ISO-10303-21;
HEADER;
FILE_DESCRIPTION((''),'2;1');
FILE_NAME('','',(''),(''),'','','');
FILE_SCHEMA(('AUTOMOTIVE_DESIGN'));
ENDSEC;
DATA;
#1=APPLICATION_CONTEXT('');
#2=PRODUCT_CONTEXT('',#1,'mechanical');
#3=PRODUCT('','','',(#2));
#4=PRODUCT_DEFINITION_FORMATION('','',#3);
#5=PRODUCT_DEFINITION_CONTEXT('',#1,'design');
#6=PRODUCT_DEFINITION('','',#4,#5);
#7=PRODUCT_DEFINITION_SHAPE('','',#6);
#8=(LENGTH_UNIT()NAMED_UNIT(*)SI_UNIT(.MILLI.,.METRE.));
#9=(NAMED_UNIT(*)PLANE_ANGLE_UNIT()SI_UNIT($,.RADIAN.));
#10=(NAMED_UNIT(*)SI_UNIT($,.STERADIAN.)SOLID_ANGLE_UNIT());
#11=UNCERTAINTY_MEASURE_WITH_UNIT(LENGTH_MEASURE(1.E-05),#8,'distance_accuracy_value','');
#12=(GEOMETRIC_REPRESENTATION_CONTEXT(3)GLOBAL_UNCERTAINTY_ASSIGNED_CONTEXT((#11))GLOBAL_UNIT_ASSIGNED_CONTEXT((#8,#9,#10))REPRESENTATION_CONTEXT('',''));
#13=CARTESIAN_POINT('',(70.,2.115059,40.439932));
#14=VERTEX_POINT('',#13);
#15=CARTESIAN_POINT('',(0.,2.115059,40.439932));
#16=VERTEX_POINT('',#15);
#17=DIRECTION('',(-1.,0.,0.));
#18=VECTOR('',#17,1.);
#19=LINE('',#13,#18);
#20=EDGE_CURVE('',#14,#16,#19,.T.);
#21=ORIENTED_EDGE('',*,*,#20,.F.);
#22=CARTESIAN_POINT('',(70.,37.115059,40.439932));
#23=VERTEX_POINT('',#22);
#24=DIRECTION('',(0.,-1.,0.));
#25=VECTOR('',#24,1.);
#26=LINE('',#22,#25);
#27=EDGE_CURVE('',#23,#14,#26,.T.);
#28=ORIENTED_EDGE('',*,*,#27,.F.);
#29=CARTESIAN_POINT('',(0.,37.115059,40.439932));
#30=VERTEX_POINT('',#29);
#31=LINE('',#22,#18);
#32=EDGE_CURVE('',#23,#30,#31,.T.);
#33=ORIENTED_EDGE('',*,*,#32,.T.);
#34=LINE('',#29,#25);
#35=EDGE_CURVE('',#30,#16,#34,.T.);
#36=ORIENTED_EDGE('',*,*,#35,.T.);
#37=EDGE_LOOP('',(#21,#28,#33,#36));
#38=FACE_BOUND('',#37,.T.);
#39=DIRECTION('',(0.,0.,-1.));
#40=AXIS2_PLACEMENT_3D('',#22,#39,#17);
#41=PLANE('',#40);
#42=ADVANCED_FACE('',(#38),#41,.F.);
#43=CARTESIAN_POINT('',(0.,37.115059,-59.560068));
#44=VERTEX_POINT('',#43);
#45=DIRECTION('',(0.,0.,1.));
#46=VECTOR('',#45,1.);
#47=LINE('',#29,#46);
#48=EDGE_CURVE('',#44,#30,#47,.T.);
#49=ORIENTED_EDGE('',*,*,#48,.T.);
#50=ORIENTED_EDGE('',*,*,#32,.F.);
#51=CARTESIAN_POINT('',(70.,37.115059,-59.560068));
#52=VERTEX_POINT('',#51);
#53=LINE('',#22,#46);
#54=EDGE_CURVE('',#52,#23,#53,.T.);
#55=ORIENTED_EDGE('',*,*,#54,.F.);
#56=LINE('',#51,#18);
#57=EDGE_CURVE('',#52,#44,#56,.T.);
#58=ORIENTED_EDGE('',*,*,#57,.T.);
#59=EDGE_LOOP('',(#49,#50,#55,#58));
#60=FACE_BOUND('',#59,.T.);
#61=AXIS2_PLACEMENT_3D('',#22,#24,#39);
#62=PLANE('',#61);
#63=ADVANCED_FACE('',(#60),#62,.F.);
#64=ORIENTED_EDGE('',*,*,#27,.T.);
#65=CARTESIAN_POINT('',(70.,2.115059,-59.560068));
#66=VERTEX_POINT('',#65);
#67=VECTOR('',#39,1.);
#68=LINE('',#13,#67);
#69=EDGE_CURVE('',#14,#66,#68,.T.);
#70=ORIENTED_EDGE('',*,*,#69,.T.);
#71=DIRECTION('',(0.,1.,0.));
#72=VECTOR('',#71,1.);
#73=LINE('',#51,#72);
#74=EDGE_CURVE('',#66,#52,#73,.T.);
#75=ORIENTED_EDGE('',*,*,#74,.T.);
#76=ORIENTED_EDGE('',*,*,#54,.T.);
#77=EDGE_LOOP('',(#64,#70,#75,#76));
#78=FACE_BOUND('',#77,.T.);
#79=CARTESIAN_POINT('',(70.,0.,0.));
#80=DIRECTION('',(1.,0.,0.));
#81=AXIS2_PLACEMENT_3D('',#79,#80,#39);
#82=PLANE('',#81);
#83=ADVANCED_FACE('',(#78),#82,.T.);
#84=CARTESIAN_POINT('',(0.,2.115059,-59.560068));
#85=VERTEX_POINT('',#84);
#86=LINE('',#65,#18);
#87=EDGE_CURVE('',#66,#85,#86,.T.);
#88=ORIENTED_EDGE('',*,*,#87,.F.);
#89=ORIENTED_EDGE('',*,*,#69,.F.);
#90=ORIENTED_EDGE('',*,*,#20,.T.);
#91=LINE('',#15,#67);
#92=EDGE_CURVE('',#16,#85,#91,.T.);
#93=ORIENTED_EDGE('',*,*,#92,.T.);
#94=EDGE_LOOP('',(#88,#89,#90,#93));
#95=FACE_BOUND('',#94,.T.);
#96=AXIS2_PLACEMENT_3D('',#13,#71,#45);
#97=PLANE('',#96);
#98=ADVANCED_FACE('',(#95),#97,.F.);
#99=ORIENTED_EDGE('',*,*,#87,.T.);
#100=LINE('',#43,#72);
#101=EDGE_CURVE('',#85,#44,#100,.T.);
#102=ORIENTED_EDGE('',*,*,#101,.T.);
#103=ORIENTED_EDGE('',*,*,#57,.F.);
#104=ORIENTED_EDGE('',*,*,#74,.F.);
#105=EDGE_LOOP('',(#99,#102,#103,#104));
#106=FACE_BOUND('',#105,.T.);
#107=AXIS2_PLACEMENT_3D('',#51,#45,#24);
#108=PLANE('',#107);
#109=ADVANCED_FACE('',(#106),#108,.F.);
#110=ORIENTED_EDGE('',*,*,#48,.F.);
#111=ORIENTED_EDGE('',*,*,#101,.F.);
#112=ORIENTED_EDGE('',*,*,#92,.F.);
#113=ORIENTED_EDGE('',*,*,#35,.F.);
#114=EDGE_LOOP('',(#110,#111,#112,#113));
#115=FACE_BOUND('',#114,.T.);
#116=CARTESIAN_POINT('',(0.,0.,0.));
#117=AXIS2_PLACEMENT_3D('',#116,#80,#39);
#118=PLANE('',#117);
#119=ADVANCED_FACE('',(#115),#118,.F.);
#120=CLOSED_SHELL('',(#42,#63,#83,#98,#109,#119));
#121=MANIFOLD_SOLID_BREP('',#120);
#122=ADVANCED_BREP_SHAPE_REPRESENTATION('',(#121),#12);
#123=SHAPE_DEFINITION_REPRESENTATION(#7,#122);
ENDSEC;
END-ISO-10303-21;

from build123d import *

# Parameters (mm, degrees)
SKETCH_1_W      = 100
SKETCH_1_H      = 35
EXTRUDE_1_DEPTH = 70


with BuildPart() as part:
    # 草图1 → 凸台-拉伸1 (new body)
    with BuildSketch(Plane(origin=(0, 0, 0), x_dir=(0, 0, -1), z_dir=(1, 0, 0))):
        with Locations((9.560067682, 19.615059222)):
            Rectangle(SKETCH_1_W, SKETCH_1_H)
    extrude(amount=EXTRUDE_1_DEPTH)


solid = part.part
